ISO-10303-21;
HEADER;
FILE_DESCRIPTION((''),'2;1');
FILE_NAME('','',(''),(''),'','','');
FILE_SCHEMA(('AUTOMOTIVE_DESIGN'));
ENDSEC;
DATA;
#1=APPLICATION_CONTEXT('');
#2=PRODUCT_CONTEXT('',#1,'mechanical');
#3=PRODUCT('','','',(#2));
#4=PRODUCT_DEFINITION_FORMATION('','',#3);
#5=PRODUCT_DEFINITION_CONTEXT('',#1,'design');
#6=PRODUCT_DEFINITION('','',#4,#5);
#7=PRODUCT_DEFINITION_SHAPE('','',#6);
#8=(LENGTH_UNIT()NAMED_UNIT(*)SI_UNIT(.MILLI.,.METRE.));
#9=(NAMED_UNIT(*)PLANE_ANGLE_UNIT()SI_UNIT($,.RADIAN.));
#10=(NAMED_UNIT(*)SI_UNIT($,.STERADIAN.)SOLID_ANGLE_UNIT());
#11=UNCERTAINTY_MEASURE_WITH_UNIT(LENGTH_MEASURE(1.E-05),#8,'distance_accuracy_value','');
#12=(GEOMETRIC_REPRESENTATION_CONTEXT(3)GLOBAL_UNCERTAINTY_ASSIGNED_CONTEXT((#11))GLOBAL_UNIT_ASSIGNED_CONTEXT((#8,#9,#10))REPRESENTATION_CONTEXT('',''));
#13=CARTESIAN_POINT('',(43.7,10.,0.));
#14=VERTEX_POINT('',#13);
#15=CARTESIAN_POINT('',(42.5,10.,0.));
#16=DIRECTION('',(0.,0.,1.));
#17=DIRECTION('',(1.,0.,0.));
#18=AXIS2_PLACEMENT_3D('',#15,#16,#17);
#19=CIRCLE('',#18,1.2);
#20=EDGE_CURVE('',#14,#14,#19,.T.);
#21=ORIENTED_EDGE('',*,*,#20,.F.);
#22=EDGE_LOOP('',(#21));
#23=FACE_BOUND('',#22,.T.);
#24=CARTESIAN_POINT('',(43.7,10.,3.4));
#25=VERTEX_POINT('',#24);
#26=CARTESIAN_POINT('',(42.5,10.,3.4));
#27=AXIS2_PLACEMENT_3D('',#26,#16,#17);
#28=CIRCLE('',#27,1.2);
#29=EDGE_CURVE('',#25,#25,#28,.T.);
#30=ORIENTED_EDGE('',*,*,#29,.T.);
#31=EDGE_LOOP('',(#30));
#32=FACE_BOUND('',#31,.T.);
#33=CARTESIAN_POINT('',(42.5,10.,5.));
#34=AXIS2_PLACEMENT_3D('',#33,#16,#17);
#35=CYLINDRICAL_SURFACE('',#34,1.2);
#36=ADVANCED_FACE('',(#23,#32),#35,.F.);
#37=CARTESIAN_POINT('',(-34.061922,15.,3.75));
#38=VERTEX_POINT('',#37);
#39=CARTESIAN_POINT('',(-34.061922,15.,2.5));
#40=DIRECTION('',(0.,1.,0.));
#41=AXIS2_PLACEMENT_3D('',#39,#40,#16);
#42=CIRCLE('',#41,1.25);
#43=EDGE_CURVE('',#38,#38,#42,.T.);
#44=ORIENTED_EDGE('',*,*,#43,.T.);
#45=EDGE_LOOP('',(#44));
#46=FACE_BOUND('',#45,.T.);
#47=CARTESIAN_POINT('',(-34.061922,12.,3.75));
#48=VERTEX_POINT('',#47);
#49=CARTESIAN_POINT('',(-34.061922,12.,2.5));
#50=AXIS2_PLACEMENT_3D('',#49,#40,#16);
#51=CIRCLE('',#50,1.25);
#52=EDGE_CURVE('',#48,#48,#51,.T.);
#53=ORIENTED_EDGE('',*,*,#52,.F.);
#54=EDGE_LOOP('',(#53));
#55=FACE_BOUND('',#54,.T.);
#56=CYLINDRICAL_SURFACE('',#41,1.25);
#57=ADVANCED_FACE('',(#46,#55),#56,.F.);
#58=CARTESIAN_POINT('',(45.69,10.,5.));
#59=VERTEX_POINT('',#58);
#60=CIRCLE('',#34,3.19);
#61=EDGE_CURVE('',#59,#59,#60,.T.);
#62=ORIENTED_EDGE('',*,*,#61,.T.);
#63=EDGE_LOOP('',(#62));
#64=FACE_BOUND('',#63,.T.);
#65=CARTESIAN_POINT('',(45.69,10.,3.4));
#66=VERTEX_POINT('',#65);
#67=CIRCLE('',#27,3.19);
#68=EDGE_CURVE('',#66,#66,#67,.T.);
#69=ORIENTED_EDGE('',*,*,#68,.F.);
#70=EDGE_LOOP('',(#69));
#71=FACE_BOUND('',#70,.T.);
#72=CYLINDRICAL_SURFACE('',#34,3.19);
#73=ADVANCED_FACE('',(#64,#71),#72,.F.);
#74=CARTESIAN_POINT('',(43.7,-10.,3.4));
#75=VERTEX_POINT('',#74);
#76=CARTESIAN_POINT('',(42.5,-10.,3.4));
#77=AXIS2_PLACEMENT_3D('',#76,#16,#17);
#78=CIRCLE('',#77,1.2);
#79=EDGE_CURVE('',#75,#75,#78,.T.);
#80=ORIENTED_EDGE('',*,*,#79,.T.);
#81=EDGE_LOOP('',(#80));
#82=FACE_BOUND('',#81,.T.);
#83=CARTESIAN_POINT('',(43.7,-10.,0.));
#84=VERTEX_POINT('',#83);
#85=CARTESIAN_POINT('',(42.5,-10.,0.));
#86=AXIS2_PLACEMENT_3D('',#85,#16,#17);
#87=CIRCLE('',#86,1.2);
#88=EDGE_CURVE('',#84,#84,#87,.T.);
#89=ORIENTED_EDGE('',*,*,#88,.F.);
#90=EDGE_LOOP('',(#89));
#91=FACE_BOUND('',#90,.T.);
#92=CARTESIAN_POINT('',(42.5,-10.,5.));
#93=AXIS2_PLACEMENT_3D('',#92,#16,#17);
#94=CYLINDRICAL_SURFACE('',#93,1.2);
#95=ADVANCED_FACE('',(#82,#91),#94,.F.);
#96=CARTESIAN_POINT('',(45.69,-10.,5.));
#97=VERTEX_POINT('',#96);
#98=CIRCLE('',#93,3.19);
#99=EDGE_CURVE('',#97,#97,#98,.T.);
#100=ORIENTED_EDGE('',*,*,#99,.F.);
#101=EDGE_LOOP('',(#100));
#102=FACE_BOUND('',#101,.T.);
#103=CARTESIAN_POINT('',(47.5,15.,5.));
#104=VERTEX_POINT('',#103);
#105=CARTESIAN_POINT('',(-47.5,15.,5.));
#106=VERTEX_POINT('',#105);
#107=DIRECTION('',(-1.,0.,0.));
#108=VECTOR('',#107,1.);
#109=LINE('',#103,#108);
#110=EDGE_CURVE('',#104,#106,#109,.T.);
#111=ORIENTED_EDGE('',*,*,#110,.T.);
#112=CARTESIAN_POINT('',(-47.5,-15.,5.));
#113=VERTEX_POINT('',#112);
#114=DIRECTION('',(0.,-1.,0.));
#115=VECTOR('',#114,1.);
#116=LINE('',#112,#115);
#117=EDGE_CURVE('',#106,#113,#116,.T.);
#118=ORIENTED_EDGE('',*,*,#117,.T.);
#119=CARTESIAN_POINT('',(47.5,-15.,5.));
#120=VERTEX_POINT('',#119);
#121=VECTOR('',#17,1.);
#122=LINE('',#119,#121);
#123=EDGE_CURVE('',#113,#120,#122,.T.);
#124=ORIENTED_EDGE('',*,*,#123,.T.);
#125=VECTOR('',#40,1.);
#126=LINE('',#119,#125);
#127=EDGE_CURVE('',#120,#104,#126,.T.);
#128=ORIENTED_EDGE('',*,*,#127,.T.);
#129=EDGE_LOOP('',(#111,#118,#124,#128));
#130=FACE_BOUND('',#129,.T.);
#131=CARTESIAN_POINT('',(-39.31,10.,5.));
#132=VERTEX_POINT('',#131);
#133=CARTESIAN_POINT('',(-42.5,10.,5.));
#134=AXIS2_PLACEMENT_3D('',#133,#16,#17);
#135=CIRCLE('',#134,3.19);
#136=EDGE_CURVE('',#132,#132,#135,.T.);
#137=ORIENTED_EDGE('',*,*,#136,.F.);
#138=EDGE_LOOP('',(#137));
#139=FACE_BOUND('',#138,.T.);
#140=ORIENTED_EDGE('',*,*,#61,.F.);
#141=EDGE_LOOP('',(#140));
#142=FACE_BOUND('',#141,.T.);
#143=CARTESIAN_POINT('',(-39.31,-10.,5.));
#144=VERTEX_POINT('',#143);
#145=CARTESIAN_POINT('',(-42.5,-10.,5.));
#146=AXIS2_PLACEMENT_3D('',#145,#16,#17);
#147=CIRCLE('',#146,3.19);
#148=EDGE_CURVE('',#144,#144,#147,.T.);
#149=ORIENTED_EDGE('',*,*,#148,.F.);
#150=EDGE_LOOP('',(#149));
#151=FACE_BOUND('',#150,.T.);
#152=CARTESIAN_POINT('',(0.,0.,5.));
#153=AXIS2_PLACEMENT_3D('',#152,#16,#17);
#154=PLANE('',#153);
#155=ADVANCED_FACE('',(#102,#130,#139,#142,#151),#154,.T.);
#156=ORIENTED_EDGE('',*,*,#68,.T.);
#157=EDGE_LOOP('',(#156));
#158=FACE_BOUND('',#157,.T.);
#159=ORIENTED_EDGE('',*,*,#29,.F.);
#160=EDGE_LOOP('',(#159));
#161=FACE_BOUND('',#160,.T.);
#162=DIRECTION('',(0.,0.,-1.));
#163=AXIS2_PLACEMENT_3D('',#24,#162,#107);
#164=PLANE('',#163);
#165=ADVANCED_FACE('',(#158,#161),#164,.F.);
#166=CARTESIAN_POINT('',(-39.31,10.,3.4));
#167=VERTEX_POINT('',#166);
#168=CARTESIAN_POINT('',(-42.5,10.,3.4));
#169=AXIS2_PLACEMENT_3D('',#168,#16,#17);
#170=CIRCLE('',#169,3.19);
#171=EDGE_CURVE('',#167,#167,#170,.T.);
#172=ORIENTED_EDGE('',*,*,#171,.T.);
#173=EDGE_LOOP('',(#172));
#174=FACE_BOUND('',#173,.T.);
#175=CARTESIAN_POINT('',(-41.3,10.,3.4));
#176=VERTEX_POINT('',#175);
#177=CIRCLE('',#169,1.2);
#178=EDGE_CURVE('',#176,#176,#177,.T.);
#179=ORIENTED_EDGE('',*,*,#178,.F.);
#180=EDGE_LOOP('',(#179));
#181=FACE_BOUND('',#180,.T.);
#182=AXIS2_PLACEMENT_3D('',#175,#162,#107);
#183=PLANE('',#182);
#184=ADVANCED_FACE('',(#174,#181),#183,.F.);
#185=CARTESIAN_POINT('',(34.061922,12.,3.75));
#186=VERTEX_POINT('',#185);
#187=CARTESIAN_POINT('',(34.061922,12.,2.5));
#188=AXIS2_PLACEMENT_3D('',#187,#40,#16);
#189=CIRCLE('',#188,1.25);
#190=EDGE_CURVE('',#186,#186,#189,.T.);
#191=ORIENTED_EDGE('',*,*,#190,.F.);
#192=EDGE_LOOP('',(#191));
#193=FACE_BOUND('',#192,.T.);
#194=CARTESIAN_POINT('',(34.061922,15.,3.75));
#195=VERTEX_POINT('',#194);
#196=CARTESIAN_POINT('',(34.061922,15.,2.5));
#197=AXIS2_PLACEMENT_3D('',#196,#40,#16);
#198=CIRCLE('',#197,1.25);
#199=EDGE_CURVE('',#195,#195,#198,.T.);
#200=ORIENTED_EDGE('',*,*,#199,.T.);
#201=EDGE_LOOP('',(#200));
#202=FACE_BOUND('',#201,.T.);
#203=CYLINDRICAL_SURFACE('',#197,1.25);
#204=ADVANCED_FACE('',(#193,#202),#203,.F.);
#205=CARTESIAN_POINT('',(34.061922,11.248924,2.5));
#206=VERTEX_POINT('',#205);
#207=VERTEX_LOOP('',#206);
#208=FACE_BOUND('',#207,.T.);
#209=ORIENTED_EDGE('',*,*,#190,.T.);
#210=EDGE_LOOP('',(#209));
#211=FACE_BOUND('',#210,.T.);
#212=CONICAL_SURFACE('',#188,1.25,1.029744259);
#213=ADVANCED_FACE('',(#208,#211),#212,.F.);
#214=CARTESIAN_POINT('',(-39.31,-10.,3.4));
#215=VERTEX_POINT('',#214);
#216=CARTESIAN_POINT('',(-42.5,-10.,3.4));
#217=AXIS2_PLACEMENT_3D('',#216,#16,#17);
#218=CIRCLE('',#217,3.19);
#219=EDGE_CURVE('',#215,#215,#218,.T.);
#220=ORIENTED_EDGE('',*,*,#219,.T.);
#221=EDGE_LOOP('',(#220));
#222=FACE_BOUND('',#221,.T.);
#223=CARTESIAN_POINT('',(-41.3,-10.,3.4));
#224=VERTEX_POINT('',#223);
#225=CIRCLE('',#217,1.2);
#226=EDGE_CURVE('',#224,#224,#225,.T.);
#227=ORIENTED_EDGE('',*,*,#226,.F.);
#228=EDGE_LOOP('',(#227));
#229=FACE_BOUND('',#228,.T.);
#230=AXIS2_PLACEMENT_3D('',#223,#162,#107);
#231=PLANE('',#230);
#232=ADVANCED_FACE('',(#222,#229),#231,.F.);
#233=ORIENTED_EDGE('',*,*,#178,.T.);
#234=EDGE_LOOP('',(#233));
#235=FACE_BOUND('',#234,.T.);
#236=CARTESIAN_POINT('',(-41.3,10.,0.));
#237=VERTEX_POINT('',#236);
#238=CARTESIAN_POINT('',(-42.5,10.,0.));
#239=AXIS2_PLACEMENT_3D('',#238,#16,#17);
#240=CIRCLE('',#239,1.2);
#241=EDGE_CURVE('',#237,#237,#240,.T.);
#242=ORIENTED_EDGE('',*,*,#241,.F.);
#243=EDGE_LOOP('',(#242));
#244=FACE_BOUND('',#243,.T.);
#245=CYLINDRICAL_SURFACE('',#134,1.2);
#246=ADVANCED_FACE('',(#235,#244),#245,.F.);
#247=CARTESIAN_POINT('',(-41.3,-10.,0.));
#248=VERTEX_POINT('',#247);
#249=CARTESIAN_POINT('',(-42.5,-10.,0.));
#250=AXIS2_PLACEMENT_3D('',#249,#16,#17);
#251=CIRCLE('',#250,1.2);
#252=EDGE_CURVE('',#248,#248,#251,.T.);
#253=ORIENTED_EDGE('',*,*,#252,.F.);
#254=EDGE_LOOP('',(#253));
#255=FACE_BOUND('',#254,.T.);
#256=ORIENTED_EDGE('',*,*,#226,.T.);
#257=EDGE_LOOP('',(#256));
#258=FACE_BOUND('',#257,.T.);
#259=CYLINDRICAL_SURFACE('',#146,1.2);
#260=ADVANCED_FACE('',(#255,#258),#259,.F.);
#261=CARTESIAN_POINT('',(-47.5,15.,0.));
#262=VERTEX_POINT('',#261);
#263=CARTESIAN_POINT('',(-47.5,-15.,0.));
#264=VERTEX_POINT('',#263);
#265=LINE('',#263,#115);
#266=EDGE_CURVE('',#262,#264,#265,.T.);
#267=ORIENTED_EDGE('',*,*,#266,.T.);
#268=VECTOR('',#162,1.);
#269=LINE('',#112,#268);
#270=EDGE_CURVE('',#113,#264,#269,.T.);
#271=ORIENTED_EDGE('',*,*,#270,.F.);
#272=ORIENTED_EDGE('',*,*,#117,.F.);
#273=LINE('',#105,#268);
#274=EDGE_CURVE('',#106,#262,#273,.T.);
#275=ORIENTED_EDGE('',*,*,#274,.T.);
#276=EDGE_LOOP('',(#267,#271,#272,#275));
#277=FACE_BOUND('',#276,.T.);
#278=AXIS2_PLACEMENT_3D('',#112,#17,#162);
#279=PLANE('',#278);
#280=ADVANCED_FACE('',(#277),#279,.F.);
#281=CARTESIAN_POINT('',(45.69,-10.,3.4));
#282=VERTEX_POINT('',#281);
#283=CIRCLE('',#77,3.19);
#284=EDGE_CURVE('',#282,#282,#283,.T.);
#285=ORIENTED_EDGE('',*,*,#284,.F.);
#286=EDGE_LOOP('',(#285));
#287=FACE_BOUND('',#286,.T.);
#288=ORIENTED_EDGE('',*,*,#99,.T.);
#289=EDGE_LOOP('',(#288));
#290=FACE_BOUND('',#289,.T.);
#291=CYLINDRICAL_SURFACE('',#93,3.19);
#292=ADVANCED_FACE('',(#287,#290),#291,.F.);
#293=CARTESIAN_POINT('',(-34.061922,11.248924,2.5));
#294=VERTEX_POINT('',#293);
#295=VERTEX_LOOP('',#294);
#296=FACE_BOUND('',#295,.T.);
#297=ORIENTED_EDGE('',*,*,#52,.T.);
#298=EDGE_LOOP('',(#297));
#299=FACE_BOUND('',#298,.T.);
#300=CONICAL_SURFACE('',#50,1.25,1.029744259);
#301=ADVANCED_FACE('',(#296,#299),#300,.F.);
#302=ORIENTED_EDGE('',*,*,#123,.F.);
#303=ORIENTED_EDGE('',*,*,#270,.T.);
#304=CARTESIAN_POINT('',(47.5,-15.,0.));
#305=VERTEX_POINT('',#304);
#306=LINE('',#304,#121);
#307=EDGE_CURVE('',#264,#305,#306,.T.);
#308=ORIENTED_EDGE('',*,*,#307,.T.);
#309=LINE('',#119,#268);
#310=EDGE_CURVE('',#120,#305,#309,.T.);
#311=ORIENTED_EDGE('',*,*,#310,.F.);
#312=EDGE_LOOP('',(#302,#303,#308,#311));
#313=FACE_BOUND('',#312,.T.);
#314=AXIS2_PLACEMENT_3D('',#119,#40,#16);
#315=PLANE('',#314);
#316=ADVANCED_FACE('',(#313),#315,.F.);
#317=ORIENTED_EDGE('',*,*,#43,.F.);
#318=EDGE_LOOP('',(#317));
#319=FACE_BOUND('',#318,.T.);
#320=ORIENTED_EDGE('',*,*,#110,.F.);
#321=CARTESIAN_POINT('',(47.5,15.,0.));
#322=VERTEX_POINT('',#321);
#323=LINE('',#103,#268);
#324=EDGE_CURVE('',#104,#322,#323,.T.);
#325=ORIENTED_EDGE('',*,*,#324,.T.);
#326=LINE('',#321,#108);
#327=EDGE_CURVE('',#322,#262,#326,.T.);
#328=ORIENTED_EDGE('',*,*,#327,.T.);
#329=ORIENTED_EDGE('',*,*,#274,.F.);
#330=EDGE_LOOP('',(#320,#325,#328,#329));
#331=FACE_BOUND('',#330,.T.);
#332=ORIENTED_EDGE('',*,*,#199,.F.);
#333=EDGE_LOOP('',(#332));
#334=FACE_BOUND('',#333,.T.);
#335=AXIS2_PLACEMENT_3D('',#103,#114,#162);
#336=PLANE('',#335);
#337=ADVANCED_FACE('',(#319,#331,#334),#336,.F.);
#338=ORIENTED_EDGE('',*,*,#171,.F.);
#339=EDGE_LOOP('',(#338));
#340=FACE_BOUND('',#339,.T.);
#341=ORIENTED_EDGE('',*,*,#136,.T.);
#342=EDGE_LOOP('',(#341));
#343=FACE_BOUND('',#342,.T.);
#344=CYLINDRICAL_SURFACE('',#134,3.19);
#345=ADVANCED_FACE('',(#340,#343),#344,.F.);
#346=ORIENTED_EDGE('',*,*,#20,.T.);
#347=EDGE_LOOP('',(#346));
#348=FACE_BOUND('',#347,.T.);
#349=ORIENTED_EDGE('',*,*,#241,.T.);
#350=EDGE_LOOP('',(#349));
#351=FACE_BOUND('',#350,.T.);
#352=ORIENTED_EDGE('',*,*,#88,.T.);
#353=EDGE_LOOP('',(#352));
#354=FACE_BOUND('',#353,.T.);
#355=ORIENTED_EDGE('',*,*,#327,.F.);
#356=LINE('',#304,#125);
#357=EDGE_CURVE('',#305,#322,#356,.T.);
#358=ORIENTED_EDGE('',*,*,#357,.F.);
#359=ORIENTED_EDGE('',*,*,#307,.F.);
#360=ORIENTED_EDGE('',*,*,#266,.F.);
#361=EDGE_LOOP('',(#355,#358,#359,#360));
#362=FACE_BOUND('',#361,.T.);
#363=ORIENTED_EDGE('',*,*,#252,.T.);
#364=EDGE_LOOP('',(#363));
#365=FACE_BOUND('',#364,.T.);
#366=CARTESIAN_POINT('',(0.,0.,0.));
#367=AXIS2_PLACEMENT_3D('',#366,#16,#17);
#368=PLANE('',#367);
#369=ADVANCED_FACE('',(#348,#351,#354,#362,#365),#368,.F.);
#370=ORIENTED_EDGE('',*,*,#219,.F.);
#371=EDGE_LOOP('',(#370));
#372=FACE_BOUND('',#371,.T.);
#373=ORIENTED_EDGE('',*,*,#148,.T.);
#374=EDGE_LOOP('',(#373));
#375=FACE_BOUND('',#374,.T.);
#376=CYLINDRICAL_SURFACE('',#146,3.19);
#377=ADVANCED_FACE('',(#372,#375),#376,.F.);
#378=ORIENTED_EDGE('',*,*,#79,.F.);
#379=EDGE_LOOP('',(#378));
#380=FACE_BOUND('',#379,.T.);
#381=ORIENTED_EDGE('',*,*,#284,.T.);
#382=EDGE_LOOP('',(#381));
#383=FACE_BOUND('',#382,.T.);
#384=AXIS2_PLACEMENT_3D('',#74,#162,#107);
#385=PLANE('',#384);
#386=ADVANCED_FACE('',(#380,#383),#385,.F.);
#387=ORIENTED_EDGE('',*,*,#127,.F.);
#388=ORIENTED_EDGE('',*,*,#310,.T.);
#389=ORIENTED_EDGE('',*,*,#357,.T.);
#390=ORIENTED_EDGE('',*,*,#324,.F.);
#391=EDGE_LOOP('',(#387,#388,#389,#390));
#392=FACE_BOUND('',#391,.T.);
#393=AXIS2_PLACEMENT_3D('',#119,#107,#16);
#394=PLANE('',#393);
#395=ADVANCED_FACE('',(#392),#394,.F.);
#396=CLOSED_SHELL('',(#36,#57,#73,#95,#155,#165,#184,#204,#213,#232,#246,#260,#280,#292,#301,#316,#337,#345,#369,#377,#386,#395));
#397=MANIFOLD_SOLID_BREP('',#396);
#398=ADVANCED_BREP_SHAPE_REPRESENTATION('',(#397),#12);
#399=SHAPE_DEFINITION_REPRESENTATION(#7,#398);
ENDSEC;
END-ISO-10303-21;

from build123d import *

# Parameters (mm, degrees)
SKETCH1_W                                        = 95
SKETCH1_H                                        = 30
BOSS_EXTRUDE1_DEPTH                              = 5
CBORE_FOR_M2_HEX_HEAD_MACHINE_SCREW1_D           = 2.4
CBORE_FOR_M2_HEX_HEAD_MACHINE_SCREW1_CBORE_D     = 6.38
CBORE_FOR_M2_HEX_HEAD_MACHINE_SCREW1_CBORE_DEPTH = 1.6
M3X0_5_TAPPED_HOLE1_D                            = 2.5
M3X0_5_TAPPED_HOLE1_DEPTH                        = 3
M3X0_5_TAPPED_HOLE1_TIP                          = 0.751075774


with BuildPart() as part:
    # Sketch1 → Boss-Extrude1 (new body)
    with BuildSketch(Plane.XY):
        Rectangle(SKETCH1_W, SKETCH1_H)
    extrude(amount=BOSS_EXTRUDE1_DEPTH)

    # CBORE for M2 Hex Head Machine Screw1 (through all)
    with Locations(Plane.XY.offset(5)):
        with Locations((-42.5, 10), (-42.5, -10), (42.5, -10), (42.5, 10)):
            CounterBoreHole(CBORE_FOR_M2_HEX_HEAD_MACHINE_SCREW1_D / 2, CBORE_FOR_M2_HEX_HEAD_MACHINE_SCREW1_CBORE_D / 2, CBORE_FOR_M2_HEX_HEAD_MACHINE_SCREW1_CBORE_DEPTH)

    # M3x0.5 Tapped Hole1
    with Locations(Plane(origin=(0, 15, 0), x_dir=(1, 0, 0), z_dir=(0, 1, 0))):
        with Locations((34.061922087, -2.5), (-34.061922087, -2.5)):
            Hole(M3X0_5_TAPPED_HOLE1_D / 2, depth=M3X0_5_TAPPED_HOLE1_DEPTH)
            with Locations((0, 0, -(M3X0_5_TAPPED_HOLE1_DEPTH + M3X0_5_TAPPED_HOLE1_TIP / 2))):  # 118° drill point
                Cone(0, M3X0_5_TAPPED_HOLE1_D / 2, M3X0_5_TAPPED_HOLE1_TIP, mode=Mode.SUBTRACT)


solid = part.part
